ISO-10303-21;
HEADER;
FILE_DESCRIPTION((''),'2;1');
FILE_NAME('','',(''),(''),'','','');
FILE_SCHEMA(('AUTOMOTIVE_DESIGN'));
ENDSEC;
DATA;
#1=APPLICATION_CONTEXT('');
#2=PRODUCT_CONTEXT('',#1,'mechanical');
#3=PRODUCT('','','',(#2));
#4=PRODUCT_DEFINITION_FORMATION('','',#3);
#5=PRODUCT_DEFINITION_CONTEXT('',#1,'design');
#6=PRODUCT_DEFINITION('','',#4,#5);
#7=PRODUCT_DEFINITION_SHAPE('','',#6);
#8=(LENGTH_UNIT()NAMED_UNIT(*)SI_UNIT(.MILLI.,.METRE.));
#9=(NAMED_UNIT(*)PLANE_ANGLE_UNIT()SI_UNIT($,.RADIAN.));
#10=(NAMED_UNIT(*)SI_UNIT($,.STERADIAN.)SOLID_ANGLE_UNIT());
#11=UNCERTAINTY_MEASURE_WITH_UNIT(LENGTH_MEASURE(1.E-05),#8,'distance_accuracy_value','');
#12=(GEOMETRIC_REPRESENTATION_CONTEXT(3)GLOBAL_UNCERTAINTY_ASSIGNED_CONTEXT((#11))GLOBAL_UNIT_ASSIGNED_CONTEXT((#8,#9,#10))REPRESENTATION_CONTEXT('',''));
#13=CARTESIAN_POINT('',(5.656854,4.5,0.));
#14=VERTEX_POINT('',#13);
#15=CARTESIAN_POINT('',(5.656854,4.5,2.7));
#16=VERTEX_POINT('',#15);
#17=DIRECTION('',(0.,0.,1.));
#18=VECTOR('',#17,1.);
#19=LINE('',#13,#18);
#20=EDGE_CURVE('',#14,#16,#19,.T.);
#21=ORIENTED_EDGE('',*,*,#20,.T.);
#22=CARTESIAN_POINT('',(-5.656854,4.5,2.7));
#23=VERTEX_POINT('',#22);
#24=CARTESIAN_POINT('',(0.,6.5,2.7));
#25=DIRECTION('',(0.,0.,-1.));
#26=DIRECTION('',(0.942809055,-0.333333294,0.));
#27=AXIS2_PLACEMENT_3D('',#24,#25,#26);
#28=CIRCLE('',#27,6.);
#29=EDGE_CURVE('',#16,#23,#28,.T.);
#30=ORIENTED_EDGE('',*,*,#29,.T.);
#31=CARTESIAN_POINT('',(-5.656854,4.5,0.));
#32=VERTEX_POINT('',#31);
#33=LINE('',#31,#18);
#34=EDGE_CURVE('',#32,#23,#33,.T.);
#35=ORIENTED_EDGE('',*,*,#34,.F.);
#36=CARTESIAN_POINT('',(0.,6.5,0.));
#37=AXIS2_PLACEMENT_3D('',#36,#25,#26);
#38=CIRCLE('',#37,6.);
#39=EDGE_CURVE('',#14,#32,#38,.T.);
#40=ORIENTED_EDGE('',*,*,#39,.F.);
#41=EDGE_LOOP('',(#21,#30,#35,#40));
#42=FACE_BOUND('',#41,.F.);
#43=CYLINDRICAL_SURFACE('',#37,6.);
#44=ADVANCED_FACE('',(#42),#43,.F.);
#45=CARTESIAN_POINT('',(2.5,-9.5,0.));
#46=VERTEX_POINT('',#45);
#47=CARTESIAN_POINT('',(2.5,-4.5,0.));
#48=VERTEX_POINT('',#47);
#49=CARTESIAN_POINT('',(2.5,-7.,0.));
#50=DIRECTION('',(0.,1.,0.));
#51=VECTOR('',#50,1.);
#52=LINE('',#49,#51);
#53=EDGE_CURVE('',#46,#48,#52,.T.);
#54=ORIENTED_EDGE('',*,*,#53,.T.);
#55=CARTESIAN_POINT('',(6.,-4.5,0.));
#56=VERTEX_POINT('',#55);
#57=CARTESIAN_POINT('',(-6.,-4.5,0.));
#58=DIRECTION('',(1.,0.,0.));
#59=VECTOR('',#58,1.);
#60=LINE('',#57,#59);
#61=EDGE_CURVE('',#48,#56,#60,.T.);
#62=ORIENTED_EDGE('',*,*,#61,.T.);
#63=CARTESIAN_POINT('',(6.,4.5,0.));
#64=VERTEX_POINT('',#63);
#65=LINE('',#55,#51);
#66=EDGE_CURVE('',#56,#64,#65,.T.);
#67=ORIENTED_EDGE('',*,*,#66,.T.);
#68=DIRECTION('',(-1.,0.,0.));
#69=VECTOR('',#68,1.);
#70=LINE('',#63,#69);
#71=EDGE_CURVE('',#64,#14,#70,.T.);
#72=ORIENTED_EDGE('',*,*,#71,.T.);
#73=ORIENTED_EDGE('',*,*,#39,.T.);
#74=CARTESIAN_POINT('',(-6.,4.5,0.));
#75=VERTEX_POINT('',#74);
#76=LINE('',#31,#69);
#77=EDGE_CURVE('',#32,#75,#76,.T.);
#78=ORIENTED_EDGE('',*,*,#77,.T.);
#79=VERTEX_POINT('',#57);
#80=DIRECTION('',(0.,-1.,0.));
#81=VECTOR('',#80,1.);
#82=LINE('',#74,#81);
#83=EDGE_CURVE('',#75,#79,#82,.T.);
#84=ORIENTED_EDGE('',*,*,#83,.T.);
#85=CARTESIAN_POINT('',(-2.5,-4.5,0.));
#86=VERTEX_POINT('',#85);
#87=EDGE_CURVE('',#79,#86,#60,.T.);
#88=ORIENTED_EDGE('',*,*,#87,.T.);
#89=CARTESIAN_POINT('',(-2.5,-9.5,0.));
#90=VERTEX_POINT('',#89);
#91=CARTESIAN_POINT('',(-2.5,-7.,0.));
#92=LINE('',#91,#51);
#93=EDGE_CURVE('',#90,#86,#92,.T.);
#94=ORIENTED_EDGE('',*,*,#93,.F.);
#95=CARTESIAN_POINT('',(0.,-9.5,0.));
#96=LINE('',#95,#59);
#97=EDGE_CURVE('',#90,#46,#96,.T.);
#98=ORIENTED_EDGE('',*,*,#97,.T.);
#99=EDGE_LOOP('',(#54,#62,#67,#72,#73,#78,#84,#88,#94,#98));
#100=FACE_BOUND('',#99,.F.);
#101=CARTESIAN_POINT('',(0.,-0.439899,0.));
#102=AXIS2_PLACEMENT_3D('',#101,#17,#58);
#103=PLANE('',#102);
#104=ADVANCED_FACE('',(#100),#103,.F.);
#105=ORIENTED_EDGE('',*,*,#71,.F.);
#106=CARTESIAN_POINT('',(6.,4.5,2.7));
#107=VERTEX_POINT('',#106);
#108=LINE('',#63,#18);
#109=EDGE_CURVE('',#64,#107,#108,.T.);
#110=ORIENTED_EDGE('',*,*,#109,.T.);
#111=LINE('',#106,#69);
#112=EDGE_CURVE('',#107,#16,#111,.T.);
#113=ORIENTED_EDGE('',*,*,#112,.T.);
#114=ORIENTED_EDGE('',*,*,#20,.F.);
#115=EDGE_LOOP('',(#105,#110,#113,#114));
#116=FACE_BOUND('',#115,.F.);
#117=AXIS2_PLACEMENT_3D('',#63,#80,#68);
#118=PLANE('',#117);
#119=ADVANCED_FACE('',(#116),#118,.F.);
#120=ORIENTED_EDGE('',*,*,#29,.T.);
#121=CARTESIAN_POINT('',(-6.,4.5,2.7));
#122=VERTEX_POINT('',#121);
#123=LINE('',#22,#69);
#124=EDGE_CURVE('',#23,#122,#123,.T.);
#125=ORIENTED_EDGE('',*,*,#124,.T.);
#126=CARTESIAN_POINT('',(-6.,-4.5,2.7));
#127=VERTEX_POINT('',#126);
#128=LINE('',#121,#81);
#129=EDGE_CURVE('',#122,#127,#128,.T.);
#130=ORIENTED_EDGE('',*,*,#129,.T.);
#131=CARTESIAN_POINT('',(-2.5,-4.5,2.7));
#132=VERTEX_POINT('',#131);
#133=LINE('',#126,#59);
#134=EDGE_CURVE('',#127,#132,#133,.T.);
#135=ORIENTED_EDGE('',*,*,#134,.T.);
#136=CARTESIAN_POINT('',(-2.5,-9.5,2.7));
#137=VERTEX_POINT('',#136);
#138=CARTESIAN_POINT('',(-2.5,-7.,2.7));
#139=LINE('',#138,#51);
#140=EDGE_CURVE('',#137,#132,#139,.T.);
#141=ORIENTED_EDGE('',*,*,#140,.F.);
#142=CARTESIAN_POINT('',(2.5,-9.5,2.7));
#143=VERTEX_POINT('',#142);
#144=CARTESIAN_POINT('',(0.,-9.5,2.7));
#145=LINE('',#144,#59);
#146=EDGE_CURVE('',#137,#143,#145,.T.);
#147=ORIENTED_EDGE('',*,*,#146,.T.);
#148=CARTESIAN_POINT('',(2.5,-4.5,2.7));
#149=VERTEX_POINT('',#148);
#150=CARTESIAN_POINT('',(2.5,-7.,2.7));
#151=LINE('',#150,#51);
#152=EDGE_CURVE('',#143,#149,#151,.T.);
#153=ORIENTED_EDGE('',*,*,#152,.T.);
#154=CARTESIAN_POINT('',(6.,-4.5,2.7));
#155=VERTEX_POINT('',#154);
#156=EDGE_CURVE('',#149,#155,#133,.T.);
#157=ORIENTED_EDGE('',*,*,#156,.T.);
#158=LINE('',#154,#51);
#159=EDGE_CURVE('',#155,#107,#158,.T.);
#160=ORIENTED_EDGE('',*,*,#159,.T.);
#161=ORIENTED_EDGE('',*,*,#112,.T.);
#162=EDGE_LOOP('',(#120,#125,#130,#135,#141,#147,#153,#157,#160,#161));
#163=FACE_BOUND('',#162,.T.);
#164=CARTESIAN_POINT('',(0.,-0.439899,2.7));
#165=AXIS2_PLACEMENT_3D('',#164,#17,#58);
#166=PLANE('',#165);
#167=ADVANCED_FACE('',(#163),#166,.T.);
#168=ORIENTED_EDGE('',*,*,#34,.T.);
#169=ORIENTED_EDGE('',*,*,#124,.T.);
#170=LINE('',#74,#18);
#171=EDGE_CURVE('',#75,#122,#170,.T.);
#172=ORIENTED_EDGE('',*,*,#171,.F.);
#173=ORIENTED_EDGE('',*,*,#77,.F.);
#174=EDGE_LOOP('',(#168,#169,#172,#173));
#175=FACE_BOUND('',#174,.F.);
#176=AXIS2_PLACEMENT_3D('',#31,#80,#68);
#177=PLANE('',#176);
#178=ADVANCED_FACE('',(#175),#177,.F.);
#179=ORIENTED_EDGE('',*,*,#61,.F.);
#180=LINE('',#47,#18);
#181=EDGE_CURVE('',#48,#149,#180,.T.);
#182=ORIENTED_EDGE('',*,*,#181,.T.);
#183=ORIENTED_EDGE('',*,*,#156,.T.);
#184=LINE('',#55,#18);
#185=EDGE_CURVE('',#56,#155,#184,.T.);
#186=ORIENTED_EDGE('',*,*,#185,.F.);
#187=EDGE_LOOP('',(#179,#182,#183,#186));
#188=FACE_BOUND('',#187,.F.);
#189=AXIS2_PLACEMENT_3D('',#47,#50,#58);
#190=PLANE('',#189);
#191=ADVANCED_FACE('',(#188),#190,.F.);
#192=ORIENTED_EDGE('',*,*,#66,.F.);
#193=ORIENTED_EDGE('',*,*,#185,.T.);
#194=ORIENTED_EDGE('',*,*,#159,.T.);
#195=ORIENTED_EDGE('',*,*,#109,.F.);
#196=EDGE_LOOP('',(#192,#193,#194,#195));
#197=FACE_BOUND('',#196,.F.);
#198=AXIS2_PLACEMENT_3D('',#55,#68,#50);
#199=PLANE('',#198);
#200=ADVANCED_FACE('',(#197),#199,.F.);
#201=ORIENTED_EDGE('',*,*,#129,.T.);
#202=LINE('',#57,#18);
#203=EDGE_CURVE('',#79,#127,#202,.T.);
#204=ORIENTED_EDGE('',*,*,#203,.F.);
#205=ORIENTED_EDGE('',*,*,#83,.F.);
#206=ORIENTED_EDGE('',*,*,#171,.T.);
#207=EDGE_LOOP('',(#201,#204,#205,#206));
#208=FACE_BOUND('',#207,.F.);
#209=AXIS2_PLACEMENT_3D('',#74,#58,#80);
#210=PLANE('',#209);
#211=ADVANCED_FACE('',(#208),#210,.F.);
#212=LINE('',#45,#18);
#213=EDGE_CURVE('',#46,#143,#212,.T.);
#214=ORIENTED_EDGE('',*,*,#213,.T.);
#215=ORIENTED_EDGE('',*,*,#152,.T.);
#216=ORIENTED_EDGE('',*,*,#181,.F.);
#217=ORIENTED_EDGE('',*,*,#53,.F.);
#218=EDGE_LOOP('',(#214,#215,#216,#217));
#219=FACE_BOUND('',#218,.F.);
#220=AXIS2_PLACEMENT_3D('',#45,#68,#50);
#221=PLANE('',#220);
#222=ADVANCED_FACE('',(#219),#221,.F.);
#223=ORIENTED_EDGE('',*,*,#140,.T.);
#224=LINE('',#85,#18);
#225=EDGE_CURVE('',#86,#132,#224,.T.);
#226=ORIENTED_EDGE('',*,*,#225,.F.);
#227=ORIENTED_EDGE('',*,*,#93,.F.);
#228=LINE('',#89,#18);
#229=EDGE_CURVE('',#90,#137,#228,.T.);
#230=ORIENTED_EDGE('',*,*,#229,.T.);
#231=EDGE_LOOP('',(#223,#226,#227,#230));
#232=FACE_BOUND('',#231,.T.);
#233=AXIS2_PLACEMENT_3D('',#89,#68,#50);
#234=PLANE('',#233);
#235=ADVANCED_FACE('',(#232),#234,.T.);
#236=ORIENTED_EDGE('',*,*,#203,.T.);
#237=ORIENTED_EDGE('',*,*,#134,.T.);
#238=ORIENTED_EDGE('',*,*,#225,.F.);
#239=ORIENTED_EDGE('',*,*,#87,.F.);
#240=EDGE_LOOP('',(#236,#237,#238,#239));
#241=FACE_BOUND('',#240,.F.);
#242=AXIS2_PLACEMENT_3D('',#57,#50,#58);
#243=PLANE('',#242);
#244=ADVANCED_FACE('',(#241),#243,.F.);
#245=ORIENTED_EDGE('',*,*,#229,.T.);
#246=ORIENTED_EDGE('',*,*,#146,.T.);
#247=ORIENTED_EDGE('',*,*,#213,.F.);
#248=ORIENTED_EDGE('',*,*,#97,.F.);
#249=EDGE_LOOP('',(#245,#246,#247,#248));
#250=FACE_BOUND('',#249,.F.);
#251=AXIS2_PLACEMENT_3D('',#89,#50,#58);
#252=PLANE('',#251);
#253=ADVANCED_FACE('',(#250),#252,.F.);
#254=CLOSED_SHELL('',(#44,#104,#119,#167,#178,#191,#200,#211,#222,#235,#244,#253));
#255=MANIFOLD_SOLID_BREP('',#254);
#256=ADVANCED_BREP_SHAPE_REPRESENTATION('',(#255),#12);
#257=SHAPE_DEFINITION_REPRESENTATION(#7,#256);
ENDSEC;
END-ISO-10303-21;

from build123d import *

# Parameters (mm, degrees)
F0_W     = 5
F0_H     = 5
F1_DEPTH = 2.7


with BuildPart() as f1:
    # F0 (on Top) → F1 (new body)
    with BuildSketch(Plane.XY):
        with BuildLine():
            Line((6, -4.5), (6, 4.5))
            Line((6, 4.5), (5.656854, 4.5))
            ThreePointArc((5.656854, 4.5), (0, 0.5), (-5.656854, 4.5))
            Line((-5.656854, 4.5), (-6, 4.5))
            Line((-6, 4.5), (-6, -4.5))
            Line((-6, -4.5), (-2.5, -4.5))
            Line((-2.5, -4.5), (2.5, -4.5))
            Line((2.5, -4.5), (6, -4.5))
        make_face()
        with Locations((0, -7)):
            Rectangle(F0_W, F0_H)
    extrude(amount=F1_DEPTH)


solid = f1.part
